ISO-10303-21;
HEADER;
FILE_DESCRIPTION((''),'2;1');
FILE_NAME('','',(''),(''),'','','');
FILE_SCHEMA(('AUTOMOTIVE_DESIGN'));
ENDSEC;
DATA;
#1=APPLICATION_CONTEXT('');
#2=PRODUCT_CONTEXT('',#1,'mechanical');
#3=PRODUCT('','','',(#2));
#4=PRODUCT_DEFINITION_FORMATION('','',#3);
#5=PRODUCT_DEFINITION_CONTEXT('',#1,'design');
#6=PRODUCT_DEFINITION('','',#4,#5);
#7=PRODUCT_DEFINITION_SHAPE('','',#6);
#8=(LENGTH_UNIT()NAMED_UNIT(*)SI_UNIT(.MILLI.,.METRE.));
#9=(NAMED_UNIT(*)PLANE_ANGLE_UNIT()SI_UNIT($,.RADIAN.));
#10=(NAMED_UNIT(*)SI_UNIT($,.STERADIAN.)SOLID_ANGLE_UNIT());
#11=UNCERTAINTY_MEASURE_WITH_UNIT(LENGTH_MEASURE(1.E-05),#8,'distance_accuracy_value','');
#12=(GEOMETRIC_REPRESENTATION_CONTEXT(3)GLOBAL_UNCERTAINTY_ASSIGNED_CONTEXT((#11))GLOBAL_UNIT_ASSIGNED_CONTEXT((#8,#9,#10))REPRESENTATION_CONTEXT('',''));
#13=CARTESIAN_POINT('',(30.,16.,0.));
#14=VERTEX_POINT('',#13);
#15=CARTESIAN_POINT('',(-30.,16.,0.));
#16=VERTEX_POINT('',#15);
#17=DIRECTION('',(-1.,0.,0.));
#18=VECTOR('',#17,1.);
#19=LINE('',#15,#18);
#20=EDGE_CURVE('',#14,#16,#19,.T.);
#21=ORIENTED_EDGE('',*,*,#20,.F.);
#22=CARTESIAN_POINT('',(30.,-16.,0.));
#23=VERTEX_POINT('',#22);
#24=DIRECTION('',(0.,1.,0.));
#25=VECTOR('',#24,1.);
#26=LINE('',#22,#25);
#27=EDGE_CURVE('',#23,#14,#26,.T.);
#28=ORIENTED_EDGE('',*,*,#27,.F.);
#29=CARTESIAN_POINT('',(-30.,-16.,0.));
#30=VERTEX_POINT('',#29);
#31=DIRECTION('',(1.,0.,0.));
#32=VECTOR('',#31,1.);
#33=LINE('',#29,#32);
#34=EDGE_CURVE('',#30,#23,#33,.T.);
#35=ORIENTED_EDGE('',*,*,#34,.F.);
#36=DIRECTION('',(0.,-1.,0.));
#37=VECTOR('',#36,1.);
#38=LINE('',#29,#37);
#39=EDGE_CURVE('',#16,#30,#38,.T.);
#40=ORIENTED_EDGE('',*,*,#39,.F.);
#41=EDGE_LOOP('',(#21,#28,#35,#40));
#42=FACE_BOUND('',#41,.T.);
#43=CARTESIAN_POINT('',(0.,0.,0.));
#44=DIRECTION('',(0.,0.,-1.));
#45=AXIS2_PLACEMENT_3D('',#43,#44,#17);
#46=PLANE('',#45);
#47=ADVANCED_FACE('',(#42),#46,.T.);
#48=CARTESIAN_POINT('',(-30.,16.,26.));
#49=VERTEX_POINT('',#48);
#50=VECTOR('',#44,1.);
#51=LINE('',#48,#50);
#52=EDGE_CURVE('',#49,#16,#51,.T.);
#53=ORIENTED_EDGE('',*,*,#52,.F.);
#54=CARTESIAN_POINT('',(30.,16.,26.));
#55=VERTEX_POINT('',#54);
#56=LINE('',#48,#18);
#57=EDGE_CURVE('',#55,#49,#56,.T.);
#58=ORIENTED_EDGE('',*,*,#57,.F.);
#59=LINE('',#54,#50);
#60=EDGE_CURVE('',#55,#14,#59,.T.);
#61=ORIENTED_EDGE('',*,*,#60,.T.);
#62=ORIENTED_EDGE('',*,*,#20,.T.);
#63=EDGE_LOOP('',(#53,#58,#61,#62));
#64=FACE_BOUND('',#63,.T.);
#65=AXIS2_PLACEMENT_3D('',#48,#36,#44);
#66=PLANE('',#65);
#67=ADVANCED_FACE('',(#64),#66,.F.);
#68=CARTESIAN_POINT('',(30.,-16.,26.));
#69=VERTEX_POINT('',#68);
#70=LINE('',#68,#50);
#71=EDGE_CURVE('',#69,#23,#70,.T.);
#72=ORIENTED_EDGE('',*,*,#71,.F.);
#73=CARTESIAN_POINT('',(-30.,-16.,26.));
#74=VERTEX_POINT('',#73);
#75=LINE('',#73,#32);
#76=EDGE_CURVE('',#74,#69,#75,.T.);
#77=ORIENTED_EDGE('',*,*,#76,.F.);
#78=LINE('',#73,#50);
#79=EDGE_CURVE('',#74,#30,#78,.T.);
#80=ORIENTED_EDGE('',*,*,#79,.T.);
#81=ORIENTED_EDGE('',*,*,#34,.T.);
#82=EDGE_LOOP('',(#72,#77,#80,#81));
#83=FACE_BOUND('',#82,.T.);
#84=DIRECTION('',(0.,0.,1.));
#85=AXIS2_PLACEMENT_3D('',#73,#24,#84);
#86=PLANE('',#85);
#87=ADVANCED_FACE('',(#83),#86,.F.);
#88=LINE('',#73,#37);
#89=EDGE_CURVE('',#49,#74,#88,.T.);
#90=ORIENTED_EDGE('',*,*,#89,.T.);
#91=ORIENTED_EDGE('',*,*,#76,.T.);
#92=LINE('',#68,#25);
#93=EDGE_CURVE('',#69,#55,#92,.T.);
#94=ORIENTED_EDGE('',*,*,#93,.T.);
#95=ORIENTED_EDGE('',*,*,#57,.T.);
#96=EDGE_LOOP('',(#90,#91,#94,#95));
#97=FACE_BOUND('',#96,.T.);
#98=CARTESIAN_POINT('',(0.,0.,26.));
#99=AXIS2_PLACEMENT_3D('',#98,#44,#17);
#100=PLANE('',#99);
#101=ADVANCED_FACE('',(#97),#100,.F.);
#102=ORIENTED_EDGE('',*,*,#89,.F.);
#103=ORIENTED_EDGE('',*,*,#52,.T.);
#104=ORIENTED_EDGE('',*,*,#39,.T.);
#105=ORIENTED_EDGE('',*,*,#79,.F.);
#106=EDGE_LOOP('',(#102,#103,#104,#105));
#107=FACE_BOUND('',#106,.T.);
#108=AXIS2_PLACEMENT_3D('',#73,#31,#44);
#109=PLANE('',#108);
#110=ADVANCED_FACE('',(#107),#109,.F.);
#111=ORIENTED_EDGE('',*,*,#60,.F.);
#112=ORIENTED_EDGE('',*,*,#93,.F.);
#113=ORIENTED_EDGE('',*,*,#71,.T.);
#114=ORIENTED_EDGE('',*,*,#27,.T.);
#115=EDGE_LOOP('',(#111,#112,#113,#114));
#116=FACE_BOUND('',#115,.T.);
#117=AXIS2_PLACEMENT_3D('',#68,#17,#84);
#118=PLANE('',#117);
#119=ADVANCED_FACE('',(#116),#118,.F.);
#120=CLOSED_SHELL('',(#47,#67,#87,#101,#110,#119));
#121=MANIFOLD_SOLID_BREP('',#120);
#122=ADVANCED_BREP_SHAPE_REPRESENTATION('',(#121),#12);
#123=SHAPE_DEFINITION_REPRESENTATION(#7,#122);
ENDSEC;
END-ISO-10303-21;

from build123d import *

# Parameters (mm, degrees)
SKETCH_1_W      = 60
SKETCH_1_H      = 32
EXTRUDE_1_DEPTH = 26


with BuildPart() as part:
    # 草图1 → 凸台-拉伸1 (new body)
    with BuildSketch(Plane.XY):
        Rectangle(SKETCH_1_W, SKETCH_1_H)
    extrude(amount=EXTRUDE_1_DEPTH)


solid = part.part
